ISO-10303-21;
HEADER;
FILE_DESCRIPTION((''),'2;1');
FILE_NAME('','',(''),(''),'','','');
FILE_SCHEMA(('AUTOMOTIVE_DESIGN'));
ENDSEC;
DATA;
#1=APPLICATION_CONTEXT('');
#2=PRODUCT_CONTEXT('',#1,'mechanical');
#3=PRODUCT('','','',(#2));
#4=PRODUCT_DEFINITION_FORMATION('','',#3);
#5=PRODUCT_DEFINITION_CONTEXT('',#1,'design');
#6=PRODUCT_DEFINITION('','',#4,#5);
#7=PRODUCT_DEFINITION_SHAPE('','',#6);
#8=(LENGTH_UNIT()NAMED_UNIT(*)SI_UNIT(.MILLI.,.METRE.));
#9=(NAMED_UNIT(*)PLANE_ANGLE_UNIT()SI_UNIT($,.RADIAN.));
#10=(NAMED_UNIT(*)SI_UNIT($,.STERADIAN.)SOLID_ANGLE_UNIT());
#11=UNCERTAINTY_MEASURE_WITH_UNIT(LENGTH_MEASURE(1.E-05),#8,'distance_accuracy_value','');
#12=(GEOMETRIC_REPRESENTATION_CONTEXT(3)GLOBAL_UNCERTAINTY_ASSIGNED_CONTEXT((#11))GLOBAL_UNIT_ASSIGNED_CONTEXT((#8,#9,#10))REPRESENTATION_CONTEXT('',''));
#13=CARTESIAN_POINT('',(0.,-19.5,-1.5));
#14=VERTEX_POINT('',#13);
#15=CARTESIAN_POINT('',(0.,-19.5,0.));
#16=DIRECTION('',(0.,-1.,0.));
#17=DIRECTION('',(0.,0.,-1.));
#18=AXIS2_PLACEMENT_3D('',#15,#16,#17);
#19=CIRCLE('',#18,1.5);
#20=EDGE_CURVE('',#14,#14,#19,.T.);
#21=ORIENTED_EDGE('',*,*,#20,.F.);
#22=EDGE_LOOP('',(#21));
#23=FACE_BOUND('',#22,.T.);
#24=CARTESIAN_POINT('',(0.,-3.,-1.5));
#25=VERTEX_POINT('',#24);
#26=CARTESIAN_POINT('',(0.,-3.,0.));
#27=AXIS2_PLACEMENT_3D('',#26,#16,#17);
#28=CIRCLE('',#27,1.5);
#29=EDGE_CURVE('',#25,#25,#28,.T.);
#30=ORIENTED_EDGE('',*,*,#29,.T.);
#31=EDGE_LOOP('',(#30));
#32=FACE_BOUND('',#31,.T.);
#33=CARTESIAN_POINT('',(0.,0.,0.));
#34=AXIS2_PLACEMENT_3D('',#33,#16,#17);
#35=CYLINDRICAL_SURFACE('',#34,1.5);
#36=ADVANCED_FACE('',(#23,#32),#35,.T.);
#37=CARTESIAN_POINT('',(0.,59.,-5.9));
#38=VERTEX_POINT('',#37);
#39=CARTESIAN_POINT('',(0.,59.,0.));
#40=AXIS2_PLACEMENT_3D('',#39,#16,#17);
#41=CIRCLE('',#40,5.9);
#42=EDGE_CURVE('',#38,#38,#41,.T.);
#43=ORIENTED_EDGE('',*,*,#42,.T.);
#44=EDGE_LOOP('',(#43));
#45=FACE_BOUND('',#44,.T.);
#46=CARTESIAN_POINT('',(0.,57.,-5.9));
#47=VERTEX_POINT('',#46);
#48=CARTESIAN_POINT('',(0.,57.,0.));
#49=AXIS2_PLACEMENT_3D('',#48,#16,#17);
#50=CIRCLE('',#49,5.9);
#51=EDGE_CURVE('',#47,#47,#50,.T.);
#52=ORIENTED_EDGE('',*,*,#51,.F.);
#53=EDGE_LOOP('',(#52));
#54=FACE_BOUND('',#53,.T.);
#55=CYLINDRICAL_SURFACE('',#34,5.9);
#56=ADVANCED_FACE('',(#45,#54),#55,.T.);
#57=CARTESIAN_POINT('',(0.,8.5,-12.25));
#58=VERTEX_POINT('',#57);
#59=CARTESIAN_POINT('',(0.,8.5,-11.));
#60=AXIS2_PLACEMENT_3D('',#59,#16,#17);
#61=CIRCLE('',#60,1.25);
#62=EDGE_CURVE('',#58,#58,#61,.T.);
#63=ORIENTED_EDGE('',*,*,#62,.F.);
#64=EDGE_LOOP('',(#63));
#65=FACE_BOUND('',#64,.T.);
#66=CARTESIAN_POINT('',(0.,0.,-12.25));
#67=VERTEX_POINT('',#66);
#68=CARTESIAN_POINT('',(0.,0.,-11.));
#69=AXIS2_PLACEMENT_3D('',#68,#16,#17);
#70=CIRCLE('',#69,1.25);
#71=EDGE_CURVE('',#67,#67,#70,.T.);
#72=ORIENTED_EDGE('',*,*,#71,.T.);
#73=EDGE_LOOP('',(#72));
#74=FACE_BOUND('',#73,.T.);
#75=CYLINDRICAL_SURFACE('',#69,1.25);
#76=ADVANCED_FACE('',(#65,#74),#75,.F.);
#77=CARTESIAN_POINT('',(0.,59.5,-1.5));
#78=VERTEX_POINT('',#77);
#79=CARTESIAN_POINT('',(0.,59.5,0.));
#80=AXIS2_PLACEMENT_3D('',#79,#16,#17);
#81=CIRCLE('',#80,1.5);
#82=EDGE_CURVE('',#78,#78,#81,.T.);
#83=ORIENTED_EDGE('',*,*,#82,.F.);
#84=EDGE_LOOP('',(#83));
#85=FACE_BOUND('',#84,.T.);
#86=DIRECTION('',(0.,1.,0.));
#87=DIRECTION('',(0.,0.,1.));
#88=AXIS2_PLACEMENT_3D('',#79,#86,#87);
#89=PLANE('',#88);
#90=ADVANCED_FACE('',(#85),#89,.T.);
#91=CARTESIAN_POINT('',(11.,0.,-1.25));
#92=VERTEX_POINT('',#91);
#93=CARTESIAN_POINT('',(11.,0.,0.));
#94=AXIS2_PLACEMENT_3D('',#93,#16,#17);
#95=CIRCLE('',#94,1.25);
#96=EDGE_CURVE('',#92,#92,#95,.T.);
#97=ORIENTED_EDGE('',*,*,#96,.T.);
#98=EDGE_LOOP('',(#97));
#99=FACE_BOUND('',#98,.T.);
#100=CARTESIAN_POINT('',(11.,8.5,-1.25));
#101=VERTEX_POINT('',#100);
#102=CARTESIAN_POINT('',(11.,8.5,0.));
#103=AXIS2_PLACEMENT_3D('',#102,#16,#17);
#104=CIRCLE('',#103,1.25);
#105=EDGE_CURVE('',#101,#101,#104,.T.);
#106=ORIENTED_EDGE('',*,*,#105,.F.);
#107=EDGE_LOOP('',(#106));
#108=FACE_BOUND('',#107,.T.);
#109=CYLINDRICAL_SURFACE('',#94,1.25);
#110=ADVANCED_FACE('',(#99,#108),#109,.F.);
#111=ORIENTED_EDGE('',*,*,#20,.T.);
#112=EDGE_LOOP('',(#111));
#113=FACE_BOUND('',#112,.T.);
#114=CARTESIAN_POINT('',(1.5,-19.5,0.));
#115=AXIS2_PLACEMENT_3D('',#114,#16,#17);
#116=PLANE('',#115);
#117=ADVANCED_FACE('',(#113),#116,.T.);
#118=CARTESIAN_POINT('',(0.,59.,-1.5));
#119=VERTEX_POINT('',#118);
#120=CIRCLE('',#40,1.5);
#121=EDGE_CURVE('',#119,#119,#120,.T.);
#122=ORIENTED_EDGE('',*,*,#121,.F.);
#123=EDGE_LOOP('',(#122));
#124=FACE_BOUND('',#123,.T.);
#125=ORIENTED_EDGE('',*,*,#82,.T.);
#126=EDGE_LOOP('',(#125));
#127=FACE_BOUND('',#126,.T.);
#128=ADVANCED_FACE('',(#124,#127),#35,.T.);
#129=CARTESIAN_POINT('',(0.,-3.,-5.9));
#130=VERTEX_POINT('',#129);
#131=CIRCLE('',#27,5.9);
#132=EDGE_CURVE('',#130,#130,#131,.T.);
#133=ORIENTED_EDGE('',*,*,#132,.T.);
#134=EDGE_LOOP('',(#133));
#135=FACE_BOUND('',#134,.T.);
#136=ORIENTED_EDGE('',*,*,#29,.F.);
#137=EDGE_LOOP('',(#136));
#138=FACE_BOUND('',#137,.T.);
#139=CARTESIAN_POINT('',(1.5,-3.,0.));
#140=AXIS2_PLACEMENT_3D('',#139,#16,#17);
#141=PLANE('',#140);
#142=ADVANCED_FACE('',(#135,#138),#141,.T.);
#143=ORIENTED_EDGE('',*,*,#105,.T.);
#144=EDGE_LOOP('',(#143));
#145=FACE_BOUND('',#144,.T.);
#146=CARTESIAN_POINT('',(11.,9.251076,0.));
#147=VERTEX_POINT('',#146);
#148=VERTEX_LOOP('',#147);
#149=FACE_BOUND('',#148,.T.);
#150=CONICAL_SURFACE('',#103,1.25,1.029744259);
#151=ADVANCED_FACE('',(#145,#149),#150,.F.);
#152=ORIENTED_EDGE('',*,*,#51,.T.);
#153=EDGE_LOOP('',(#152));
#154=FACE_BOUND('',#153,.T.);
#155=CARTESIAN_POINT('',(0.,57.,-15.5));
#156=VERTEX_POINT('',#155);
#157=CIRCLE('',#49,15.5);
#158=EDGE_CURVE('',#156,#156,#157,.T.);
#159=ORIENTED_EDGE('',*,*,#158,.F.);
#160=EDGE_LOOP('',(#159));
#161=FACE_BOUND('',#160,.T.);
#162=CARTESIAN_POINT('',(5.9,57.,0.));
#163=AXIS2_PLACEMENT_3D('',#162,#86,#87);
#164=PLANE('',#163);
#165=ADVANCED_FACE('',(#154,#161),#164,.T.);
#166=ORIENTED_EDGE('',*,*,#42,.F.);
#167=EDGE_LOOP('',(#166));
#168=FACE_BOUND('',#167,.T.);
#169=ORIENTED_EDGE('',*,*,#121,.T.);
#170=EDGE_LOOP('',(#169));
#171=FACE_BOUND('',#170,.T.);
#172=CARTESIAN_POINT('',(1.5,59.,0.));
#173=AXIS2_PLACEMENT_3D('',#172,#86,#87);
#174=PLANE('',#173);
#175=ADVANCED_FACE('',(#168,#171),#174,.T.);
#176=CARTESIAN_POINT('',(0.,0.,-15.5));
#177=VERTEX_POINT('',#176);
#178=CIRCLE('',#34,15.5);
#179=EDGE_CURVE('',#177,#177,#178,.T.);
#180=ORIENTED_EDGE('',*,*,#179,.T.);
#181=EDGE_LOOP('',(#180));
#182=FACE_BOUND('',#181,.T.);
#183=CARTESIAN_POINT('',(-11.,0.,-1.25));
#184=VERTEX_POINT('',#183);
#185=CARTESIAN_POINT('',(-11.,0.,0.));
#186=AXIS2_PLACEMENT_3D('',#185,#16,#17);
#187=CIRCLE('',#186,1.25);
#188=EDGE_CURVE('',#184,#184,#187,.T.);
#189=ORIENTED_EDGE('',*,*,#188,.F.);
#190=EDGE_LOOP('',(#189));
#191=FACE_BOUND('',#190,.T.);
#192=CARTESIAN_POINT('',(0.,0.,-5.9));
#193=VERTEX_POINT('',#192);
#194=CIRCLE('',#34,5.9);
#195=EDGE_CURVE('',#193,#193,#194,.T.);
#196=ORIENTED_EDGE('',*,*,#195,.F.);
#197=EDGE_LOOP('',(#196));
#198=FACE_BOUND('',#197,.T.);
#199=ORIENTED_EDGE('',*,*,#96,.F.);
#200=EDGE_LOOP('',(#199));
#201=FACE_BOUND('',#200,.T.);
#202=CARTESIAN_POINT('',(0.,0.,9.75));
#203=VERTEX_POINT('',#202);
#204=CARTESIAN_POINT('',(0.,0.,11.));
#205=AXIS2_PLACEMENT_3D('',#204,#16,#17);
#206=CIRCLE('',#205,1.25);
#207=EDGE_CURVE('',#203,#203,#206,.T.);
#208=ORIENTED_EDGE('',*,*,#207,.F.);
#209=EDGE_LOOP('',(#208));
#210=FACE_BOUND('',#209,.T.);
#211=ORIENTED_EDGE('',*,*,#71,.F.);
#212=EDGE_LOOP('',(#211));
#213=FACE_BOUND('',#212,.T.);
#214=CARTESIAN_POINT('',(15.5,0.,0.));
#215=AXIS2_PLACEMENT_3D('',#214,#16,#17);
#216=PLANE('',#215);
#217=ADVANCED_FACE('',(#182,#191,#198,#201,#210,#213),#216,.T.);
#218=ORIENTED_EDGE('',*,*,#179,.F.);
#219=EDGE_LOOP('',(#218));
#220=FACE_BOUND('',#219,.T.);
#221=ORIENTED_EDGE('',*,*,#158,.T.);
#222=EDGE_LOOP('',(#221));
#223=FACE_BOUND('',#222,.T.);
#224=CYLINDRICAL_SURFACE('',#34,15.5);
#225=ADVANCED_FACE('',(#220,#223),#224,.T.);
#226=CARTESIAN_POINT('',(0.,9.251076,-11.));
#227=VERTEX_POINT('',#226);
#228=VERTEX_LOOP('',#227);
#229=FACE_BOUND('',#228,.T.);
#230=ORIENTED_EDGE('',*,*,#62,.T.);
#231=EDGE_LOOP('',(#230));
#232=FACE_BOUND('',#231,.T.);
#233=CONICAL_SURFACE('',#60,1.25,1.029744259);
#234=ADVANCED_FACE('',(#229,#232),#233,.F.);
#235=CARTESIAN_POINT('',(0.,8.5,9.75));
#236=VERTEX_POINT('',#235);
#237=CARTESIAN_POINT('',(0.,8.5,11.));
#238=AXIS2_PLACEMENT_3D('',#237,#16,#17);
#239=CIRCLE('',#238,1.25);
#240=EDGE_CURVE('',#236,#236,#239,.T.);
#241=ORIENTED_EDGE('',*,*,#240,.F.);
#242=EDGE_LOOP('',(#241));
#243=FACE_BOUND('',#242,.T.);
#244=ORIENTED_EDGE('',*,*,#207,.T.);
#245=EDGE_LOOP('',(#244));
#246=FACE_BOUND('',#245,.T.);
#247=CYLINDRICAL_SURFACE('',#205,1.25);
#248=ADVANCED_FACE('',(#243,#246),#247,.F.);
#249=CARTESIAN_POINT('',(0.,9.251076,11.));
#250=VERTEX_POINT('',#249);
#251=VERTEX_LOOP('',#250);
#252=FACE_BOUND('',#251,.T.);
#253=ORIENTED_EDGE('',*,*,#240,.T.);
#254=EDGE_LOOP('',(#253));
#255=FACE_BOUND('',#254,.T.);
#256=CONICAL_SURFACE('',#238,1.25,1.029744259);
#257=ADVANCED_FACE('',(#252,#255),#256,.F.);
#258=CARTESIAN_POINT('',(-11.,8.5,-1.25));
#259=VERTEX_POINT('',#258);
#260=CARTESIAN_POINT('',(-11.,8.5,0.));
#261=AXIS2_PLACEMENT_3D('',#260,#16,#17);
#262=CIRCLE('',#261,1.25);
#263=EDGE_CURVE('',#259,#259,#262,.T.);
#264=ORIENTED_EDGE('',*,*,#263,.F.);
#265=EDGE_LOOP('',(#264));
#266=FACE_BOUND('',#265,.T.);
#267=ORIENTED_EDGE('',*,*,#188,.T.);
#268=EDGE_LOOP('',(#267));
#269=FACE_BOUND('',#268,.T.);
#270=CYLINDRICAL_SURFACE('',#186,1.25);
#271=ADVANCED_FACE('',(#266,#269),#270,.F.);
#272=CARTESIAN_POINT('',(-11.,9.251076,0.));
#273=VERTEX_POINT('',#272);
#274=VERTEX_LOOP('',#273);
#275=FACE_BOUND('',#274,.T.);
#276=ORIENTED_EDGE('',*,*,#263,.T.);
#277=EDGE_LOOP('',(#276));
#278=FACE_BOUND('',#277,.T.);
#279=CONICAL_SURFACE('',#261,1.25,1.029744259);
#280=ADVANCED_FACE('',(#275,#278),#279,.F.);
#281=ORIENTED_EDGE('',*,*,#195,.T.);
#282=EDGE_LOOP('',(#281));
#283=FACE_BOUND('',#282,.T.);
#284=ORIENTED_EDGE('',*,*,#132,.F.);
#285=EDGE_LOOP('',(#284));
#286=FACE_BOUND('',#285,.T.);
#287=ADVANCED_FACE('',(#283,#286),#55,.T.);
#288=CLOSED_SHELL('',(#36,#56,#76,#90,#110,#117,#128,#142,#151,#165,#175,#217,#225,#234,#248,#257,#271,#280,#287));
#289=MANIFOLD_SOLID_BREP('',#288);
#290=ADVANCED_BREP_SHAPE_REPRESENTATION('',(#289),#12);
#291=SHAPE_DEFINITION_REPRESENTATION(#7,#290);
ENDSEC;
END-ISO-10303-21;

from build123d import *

# Parameters (mm, degrees)
TROU_TARAUD_M3X0_51_D     = 2.5
TROU_TARAUD_M3X0_51_DEPTH = 8.5
TROU_TARAUD_M3X0_51_TIP   = 0.751075774


with BuildPart() as part:
    # Esquisse1 → Révolution1 (revolve)
    with BuildSketch(Plane.XY, mode=Mode.PRIVATE) as r_volution1_sk:
        Polygon((0, -19.5), (0, 59.5), (1.5, 59.5), (1.5, 59), (5.9, 59), (5.9, 57), (15.5, 57), (15.5, 0), (5.9, 0), (5.9, -3), (1.5, -3), (1.5, -19.5), align=None)
    revolve(r_volution1_sk.sketch.rotate(Axis((0, 0, 0), (0, 1, 0)), 90), axis=Axis((0, 0, 0), (0, 1, 0)))

    # Trou taraudé M3x0.51
    with Locations(Plane(origin=(0, 0, 0), x_dir=(-1, 0, 0), z_dir=(0, -1, 0))):
        with Locations((0, -11), (-11, 0), (0, 11), (11, 0)):
            Hole(TROU_TARAUD_M3X0_51_D / 2, depth=TROU_TARAUD_M3X0_51_DEPTH)
            with Locations((0, 0, -(TROU_TARAUD_M3X0_51_DEPTH + TROU_TARAUD_M3X0_51_TIP / 2))):  # 118° drill point
                Cone(0, TROU_TARAUD_M3X0_51_D / 2, TROU_TARAUD_M3X0_51_TIP, mode=Mode.SUBTRACT)


solid = part.part
